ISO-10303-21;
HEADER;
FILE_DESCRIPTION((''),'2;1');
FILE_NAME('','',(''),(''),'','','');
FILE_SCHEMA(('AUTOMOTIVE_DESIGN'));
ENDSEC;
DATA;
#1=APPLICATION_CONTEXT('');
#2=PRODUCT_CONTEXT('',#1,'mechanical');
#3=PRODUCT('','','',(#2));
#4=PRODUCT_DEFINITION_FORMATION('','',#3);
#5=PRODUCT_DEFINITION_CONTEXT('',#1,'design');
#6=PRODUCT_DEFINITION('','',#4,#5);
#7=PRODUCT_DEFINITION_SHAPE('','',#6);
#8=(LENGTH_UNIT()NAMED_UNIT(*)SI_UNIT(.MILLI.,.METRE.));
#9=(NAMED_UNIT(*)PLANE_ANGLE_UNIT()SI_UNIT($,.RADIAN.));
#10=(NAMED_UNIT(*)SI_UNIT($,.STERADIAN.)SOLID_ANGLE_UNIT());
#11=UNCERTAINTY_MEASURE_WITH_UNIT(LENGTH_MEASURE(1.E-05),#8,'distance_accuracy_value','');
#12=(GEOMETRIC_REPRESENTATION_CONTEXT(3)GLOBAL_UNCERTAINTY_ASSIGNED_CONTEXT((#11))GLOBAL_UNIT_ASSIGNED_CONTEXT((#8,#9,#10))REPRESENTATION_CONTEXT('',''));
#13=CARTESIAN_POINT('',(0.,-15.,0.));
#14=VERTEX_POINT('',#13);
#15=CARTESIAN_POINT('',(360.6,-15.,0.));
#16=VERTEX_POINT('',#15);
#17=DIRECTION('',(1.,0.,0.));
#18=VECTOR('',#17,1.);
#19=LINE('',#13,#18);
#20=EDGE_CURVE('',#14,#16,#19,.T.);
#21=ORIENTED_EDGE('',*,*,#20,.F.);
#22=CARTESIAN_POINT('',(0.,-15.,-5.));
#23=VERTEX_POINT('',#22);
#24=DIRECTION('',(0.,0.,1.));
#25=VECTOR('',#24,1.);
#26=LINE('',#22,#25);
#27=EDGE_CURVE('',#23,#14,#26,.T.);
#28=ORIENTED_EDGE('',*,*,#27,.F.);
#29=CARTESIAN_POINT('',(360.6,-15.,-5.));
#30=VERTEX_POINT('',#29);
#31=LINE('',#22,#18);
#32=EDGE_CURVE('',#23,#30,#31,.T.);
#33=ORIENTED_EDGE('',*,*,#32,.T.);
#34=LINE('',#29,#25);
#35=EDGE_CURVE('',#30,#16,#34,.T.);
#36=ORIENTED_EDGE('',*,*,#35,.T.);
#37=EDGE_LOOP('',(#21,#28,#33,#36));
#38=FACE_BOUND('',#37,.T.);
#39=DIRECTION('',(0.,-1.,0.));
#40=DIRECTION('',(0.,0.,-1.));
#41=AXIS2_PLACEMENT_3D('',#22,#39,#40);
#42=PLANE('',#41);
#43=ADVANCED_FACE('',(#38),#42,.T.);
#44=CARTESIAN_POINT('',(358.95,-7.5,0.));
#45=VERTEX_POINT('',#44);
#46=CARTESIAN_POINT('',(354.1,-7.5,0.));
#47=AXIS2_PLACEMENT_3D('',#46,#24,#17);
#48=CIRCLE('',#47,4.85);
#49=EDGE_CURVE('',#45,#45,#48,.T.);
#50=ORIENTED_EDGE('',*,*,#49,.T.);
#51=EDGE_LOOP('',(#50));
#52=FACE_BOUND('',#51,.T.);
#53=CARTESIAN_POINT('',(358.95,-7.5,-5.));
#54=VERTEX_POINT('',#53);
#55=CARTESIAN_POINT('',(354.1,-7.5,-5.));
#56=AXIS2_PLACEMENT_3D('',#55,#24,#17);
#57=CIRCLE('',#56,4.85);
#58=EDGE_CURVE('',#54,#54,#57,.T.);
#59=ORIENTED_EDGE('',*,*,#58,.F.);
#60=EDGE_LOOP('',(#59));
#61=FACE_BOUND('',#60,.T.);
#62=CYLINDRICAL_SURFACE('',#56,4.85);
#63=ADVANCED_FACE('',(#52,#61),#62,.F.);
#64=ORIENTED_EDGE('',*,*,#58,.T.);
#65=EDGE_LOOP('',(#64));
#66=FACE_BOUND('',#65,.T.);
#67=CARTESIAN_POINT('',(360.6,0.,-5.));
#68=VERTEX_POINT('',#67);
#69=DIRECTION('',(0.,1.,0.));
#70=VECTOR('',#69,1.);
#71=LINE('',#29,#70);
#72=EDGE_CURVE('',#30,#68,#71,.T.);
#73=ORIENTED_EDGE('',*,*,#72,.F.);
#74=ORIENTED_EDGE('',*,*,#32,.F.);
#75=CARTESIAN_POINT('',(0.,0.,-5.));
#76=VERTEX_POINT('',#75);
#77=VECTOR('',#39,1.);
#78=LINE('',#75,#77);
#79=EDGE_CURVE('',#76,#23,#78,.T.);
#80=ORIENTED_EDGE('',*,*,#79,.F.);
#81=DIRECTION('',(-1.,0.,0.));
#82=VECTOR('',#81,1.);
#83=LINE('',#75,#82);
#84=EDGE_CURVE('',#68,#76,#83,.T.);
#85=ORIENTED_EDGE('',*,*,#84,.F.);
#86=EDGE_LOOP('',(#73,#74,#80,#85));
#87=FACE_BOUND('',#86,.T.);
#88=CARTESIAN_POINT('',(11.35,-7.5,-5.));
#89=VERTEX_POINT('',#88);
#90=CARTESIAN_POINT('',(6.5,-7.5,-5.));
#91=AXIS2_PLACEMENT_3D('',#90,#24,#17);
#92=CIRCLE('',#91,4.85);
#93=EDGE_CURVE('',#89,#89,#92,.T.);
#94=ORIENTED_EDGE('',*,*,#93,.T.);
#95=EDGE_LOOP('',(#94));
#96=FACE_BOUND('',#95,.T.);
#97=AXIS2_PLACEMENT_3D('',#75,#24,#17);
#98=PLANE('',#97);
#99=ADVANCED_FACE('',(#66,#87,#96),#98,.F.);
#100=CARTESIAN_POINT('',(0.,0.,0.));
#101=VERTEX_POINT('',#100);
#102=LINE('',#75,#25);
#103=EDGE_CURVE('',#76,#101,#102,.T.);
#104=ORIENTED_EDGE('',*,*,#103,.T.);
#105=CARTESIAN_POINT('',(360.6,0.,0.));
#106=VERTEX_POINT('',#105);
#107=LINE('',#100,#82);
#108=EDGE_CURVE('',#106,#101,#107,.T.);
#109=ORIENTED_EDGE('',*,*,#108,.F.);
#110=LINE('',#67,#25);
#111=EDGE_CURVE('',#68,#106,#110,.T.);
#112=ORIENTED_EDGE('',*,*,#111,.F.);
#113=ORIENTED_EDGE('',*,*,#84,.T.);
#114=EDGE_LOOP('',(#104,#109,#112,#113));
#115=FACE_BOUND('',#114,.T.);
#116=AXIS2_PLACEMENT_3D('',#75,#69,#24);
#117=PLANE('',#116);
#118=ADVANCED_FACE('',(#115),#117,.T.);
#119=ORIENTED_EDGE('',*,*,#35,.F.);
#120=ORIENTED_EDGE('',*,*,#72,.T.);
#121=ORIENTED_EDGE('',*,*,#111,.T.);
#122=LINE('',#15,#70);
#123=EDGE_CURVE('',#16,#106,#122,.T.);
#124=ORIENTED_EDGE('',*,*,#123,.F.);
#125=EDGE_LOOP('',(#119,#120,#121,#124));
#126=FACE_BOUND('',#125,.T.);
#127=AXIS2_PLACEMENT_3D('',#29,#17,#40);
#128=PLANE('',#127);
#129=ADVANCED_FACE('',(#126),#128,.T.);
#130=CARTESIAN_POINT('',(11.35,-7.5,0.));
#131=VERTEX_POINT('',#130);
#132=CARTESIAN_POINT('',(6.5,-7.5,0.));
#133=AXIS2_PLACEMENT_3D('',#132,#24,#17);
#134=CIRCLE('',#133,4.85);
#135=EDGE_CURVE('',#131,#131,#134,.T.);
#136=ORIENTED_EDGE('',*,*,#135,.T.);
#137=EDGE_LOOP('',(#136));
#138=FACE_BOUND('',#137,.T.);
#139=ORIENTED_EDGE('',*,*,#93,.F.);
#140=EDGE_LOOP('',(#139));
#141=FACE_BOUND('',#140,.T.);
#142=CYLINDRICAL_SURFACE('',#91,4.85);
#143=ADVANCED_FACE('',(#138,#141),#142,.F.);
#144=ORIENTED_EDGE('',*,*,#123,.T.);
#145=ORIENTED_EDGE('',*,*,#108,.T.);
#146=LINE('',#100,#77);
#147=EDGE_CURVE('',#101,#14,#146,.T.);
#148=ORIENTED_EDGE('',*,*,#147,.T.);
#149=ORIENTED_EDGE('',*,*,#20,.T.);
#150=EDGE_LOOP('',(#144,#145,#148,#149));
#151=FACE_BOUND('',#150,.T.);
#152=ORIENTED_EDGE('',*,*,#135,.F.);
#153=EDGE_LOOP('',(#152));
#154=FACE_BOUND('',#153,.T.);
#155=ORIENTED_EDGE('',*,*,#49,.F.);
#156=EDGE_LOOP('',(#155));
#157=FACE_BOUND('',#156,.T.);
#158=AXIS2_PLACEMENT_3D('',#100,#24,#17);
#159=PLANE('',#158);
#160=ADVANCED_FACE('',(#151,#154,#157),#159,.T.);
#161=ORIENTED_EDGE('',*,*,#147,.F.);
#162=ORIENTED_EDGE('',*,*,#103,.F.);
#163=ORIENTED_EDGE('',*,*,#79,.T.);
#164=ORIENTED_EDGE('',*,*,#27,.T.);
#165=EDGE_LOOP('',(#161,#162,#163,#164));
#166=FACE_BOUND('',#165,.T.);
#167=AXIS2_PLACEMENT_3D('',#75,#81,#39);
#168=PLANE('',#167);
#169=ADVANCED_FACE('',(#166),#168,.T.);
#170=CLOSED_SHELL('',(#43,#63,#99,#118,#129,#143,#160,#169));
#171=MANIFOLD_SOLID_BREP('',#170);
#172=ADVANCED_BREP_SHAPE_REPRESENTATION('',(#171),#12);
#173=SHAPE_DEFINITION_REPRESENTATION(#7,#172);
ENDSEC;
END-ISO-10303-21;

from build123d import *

# Parameters (mm, degrees)
SKETCH2_W           = 360.6
SKETCH2_H           = 15
BOSS_EXTRUDE1_DEPTH = 5
SKETCH3_R           = 4.85
CUT_EXTRUDE1_DEPTH  = 5


with BuildPart() as part:
    # Sketch2 → Boss-Extrude1 (new body)
    with BuildSketch(Plane.XY):
        with Locations((180.3, -7.5)):
            Rectangle(SKETCH2_W, SKETCH2_H)
    extrude(amount=-BOSS_EXTRUDE1_DEPTH)

    # Sketch3 → Cut-Extrude1 (cut)
    with BuildSketch(Plane.XY):
        with Locations((6.5, -7.5)):
            Circle(SKETCH3_R)
        with Locations((354.1, -7.5)):
            Circle(SKETCH3_R)
    extrude(amount=-CUT_EXTRUDE1_DEPTH, mode=Mode.SUBTRACT)


solid = part.part
